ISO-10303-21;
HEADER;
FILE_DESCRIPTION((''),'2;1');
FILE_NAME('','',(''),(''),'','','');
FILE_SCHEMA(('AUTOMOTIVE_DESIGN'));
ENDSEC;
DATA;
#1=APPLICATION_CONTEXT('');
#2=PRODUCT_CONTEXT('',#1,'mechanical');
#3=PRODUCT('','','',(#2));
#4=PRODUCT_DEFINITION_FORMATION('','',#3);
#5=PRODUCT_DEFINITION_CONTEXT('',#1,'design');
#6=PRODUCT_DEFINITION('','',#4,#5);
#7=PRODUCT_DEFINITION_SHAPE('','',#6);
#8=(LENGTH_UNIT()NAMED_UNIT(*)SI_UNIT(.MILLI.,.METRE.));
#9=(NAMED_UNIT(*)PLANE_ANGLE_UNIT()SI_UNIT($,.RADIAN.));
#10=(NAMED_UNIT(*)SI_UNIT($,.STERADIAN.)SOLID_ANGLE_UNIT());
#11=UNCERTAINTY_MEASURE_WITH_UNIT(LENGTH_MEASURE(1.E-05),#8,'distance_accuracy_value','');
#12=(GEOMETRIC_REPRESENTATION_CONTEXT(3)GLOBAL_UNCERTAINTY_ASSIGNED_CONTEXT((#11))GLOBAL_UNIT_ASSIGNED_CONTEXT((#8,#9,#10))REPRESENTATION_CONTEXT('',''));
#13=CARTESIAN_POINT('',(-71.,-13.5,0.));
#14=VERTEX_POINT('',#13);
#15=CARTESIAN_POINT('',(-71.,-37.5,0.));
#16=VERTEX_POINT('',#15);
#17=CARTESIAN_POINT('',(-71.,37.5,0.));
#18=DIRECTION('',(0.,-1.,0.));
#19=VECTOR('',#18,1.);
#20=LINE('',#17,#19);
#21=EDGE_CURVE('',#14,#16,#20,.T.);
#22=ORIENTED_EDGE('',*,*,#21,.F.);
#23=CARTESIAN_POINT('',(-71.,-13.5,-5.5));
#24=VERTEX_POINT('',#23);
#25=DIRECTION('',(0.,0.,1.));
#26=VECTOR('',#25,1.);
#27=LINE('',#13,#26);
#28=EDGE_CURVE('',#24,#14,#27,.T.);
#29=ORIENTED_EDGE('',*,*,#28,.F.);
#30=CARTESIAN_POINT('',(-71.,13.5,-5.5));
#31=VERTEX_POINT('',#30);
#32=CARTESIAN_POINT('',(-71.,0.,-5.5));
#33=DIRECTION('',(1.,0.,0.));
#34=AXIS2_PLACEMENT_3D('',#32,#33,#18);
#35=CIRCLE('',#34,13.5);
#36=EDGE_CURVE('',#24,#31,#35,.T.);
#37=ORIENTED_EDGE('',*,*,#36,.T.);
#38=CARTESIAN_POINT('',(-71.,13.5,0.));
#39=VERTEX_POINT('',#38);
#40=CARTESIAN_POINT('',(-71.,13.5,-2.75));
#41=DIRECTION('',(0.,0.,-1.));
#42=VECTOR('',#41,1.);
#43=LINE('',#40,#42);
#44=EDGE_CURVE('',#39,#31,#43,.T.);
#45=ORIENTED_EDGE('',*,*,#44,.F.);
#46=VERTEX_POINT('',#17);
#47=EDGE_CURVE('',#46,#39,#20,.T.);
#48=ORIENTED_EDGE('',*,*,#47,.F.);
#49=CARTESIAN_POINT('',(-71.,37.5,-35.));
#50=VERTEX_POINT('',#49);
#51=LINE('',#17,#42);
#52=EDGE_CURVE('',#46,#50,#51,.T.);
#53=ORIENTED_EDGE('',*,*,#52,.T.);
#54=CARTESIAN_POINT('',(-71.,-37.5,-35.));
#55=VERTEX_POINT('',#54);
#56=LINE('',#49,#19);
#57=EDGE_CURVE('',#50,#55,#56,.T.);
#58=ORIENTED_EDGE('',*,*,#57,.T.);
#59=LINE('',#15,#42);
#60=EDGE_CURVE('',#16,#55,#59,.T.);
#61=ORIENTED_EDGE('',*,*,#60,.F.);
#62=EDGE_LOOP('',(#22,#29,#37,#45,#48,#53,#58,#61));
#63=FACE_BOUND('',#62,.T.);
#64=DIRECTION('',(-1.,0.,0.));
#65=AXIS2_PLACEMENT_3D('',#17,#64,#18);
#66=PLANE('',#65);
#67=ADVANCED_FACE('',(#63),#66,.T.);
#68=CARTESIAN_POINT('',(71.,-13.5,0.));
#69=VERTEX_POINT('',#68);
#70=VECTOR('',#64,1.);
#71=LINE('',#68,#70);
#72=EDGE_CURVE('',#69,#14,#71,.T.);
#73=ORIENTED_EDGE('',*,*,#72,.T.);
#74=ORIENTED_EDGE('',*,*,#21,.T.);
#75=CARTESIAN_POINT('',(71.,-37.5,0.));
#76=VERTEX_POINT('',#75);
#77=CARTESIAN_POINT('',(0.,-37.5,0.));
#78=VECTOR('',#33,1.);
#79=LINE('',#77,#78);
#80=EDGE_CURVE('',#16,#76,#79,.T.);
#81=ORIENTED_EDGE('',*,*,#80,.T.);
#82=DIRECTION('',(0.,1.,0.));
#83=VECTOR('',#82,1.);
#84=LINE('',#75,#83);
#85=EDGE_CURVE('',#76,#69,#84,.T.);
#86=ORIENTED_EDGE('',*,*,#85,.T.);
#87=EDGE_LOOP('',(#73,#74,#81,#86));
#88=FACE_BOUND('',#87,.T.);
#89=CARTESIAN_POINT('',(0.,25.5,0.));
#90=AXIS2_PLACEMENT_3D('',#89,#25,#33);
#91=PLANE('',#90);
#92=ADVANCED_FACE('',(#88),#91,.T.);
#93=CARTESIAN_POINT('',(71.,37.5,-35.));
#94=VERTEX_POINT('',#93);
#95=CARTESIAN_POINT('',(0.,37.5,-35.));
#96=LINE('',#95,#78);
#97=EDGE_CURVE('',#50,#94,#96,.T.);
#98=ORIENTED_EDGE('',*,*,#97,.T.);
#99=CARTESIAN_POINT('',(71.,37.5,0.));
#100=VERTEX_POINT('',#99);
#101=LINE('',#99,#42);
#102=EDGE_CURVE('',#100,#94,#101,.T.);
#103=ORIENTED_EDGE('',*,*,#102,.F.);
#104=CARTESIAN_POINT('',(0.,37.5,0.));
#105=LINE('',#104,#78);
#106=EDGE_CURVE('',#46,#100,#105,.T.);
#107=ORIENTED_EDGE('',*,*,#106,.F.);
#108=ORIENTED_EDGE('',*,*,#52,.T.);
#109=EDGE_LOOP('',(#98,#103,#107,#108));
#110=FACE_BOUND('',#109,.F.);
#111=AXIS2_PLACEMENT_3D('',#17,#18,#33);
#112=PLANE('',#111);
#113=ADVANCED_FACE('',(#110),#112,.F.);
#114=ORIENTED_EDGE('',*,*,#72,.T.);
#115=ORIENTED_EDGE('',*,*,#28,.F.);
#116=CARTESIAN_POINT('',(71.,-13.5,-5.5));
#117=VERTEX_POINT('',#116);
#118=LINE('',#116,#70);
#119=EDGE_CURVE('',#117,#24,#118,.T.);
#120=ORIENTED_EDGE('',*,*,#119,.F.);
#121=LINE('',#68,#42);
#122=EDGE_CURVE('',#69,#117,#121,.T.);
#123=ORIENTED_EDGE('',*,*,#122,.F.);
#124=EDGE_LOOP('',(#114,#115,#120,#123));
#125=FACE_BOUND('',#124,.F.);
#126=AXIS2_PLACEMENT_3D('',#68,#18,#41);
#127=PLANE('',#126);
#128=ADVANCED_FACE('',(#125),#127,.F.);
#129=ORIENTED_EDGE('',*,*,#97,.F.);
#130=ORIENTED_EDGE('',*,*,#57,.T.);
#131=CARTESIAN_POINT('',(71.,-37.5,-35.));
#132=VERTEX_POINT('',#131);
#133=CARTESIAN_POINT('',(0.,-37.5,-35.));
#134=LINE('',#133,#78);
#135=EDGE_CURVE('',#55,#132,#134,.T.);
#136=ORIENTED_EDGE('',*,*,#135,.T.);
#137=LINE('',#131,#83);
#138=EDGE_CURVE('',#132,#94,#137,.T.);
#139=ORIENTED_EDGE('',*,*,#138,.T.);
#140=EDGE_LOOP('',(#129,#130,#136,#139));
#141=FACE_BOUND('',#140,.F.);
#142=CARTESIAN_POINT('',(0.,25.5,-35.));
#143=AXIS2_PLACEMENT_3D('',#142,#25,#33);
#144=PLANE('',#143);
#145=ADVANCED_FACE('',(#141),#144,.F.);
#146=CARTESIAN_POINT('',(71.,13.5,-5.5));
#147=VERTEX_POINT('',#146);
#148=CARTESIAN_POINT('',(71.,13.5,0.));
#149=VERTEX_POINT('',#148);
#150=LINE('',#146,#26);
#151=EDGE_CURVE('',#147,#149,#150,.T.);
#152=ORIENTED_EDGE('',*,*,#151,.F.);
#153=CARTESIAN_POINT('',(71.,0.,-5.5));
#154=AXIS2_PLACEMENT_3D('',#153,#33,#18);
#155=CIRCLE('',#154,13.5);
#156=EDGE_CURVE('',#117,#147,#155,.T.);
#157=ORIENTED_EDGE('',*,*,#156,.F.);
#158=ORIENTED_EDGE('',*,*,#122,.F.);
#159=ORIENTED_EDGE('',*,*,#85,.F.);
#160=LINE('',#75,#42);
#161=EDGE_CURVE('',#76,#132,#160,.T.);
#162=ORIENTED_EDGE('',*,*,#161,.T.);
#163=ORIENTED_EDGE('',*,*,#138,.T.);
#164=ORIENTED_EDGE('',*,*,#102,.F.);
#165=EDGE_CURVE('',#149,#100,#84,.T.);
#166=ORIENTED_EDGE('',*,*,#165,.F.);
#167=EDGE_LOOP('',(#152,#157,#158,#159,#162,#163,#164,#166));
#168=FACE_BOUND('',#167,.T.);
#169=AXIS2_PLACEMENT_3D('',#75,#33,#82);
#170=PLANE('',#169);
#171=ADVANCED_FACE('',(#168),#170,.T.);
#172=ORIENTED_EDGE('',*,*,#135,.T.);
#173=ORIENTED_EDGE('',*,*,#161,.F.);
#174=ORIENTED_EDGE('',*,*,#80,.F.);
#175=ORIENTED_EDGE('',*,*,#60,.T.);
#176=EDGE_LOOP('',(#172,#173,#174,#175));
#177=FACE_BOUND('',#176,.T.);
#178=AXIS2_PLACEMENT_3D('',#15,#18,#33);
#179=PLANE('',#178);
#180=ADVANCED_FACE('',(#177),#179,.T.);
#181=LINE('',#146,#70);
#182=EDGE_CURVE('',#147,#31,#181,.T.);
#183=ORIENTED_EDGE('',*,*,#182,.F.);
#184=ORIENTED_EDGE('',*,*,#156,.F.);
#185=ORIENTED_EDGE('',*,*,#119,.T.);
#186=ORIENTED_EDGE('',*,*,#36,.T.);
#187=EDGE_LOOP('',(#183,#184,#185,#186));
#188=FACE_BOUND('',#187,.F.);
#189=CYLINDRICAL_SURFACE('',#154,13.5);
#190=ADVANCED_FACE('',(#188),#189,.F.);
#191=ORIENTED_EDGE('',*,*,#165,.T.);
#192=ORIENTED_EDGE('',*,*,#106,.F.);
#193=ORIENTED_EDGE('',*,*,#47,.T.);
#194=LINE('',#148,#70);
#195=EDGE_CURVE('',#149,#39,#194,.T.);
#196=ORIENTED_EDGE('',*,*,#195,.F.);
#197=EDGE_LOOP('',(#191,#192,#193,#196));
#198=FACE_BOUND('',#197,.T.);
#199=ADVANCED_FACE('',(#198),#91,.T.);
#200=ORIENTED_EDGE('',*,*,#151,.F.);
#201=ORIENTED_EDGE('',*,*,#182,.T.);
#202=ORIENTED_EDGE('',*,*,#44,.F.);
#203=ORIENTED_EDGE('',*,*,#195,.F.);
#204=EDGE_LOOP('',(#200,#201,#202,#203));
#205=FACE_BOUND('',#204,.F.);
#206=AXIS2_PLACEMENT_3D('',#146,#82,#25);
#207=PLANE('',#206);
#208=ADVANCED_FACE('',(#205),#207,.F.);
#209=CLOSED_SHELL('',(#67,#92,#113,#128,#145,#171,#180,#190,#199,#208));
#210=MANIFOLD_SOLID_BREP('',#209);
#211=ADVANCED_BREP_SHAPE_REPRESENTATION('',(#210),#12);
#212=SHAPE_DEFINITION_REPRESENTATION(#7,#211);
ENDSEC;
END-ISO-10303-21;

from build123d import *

# Parameters (mm, degrees)
F0_W     = 142
F0_H     = 24
F0_H_2   = 27
F1_DEPTH = 35
F3_DEPTH = 142.001


with BuildPart() as f1:
    # F0 (on Top) → F1 (new body)
    with BuildSketch(Plane.XY):
        with Locations((0, 25.5)):
            Rectangle(F0_W, F0_H)
        Rectangle(F0_W, F0_H_2)
        with Locations((0, -25.5)):
            Rectangle(F0_W, F0_H)
    extrude(amount=-F1_DEPTH)

    # F2 (on face) → F3 (cut, through all)
    with BuildSketch(Plane.YZ.offset(71)):
        with BuildLine():
            Line((-13.5, 0), (-13.5, -5.5))
            ThreePointArc((-13.5, -5.5), (0, -19), (13.5, -5.5))
            Line((13.5, -5.5), (13.5, 0))
            Line((13.5, 0), (-13.5, 0))
        make_face()
    extrude(amount=-F3_DEPTH, mode=Mode.SUBTRACT)


solid = f1.part
